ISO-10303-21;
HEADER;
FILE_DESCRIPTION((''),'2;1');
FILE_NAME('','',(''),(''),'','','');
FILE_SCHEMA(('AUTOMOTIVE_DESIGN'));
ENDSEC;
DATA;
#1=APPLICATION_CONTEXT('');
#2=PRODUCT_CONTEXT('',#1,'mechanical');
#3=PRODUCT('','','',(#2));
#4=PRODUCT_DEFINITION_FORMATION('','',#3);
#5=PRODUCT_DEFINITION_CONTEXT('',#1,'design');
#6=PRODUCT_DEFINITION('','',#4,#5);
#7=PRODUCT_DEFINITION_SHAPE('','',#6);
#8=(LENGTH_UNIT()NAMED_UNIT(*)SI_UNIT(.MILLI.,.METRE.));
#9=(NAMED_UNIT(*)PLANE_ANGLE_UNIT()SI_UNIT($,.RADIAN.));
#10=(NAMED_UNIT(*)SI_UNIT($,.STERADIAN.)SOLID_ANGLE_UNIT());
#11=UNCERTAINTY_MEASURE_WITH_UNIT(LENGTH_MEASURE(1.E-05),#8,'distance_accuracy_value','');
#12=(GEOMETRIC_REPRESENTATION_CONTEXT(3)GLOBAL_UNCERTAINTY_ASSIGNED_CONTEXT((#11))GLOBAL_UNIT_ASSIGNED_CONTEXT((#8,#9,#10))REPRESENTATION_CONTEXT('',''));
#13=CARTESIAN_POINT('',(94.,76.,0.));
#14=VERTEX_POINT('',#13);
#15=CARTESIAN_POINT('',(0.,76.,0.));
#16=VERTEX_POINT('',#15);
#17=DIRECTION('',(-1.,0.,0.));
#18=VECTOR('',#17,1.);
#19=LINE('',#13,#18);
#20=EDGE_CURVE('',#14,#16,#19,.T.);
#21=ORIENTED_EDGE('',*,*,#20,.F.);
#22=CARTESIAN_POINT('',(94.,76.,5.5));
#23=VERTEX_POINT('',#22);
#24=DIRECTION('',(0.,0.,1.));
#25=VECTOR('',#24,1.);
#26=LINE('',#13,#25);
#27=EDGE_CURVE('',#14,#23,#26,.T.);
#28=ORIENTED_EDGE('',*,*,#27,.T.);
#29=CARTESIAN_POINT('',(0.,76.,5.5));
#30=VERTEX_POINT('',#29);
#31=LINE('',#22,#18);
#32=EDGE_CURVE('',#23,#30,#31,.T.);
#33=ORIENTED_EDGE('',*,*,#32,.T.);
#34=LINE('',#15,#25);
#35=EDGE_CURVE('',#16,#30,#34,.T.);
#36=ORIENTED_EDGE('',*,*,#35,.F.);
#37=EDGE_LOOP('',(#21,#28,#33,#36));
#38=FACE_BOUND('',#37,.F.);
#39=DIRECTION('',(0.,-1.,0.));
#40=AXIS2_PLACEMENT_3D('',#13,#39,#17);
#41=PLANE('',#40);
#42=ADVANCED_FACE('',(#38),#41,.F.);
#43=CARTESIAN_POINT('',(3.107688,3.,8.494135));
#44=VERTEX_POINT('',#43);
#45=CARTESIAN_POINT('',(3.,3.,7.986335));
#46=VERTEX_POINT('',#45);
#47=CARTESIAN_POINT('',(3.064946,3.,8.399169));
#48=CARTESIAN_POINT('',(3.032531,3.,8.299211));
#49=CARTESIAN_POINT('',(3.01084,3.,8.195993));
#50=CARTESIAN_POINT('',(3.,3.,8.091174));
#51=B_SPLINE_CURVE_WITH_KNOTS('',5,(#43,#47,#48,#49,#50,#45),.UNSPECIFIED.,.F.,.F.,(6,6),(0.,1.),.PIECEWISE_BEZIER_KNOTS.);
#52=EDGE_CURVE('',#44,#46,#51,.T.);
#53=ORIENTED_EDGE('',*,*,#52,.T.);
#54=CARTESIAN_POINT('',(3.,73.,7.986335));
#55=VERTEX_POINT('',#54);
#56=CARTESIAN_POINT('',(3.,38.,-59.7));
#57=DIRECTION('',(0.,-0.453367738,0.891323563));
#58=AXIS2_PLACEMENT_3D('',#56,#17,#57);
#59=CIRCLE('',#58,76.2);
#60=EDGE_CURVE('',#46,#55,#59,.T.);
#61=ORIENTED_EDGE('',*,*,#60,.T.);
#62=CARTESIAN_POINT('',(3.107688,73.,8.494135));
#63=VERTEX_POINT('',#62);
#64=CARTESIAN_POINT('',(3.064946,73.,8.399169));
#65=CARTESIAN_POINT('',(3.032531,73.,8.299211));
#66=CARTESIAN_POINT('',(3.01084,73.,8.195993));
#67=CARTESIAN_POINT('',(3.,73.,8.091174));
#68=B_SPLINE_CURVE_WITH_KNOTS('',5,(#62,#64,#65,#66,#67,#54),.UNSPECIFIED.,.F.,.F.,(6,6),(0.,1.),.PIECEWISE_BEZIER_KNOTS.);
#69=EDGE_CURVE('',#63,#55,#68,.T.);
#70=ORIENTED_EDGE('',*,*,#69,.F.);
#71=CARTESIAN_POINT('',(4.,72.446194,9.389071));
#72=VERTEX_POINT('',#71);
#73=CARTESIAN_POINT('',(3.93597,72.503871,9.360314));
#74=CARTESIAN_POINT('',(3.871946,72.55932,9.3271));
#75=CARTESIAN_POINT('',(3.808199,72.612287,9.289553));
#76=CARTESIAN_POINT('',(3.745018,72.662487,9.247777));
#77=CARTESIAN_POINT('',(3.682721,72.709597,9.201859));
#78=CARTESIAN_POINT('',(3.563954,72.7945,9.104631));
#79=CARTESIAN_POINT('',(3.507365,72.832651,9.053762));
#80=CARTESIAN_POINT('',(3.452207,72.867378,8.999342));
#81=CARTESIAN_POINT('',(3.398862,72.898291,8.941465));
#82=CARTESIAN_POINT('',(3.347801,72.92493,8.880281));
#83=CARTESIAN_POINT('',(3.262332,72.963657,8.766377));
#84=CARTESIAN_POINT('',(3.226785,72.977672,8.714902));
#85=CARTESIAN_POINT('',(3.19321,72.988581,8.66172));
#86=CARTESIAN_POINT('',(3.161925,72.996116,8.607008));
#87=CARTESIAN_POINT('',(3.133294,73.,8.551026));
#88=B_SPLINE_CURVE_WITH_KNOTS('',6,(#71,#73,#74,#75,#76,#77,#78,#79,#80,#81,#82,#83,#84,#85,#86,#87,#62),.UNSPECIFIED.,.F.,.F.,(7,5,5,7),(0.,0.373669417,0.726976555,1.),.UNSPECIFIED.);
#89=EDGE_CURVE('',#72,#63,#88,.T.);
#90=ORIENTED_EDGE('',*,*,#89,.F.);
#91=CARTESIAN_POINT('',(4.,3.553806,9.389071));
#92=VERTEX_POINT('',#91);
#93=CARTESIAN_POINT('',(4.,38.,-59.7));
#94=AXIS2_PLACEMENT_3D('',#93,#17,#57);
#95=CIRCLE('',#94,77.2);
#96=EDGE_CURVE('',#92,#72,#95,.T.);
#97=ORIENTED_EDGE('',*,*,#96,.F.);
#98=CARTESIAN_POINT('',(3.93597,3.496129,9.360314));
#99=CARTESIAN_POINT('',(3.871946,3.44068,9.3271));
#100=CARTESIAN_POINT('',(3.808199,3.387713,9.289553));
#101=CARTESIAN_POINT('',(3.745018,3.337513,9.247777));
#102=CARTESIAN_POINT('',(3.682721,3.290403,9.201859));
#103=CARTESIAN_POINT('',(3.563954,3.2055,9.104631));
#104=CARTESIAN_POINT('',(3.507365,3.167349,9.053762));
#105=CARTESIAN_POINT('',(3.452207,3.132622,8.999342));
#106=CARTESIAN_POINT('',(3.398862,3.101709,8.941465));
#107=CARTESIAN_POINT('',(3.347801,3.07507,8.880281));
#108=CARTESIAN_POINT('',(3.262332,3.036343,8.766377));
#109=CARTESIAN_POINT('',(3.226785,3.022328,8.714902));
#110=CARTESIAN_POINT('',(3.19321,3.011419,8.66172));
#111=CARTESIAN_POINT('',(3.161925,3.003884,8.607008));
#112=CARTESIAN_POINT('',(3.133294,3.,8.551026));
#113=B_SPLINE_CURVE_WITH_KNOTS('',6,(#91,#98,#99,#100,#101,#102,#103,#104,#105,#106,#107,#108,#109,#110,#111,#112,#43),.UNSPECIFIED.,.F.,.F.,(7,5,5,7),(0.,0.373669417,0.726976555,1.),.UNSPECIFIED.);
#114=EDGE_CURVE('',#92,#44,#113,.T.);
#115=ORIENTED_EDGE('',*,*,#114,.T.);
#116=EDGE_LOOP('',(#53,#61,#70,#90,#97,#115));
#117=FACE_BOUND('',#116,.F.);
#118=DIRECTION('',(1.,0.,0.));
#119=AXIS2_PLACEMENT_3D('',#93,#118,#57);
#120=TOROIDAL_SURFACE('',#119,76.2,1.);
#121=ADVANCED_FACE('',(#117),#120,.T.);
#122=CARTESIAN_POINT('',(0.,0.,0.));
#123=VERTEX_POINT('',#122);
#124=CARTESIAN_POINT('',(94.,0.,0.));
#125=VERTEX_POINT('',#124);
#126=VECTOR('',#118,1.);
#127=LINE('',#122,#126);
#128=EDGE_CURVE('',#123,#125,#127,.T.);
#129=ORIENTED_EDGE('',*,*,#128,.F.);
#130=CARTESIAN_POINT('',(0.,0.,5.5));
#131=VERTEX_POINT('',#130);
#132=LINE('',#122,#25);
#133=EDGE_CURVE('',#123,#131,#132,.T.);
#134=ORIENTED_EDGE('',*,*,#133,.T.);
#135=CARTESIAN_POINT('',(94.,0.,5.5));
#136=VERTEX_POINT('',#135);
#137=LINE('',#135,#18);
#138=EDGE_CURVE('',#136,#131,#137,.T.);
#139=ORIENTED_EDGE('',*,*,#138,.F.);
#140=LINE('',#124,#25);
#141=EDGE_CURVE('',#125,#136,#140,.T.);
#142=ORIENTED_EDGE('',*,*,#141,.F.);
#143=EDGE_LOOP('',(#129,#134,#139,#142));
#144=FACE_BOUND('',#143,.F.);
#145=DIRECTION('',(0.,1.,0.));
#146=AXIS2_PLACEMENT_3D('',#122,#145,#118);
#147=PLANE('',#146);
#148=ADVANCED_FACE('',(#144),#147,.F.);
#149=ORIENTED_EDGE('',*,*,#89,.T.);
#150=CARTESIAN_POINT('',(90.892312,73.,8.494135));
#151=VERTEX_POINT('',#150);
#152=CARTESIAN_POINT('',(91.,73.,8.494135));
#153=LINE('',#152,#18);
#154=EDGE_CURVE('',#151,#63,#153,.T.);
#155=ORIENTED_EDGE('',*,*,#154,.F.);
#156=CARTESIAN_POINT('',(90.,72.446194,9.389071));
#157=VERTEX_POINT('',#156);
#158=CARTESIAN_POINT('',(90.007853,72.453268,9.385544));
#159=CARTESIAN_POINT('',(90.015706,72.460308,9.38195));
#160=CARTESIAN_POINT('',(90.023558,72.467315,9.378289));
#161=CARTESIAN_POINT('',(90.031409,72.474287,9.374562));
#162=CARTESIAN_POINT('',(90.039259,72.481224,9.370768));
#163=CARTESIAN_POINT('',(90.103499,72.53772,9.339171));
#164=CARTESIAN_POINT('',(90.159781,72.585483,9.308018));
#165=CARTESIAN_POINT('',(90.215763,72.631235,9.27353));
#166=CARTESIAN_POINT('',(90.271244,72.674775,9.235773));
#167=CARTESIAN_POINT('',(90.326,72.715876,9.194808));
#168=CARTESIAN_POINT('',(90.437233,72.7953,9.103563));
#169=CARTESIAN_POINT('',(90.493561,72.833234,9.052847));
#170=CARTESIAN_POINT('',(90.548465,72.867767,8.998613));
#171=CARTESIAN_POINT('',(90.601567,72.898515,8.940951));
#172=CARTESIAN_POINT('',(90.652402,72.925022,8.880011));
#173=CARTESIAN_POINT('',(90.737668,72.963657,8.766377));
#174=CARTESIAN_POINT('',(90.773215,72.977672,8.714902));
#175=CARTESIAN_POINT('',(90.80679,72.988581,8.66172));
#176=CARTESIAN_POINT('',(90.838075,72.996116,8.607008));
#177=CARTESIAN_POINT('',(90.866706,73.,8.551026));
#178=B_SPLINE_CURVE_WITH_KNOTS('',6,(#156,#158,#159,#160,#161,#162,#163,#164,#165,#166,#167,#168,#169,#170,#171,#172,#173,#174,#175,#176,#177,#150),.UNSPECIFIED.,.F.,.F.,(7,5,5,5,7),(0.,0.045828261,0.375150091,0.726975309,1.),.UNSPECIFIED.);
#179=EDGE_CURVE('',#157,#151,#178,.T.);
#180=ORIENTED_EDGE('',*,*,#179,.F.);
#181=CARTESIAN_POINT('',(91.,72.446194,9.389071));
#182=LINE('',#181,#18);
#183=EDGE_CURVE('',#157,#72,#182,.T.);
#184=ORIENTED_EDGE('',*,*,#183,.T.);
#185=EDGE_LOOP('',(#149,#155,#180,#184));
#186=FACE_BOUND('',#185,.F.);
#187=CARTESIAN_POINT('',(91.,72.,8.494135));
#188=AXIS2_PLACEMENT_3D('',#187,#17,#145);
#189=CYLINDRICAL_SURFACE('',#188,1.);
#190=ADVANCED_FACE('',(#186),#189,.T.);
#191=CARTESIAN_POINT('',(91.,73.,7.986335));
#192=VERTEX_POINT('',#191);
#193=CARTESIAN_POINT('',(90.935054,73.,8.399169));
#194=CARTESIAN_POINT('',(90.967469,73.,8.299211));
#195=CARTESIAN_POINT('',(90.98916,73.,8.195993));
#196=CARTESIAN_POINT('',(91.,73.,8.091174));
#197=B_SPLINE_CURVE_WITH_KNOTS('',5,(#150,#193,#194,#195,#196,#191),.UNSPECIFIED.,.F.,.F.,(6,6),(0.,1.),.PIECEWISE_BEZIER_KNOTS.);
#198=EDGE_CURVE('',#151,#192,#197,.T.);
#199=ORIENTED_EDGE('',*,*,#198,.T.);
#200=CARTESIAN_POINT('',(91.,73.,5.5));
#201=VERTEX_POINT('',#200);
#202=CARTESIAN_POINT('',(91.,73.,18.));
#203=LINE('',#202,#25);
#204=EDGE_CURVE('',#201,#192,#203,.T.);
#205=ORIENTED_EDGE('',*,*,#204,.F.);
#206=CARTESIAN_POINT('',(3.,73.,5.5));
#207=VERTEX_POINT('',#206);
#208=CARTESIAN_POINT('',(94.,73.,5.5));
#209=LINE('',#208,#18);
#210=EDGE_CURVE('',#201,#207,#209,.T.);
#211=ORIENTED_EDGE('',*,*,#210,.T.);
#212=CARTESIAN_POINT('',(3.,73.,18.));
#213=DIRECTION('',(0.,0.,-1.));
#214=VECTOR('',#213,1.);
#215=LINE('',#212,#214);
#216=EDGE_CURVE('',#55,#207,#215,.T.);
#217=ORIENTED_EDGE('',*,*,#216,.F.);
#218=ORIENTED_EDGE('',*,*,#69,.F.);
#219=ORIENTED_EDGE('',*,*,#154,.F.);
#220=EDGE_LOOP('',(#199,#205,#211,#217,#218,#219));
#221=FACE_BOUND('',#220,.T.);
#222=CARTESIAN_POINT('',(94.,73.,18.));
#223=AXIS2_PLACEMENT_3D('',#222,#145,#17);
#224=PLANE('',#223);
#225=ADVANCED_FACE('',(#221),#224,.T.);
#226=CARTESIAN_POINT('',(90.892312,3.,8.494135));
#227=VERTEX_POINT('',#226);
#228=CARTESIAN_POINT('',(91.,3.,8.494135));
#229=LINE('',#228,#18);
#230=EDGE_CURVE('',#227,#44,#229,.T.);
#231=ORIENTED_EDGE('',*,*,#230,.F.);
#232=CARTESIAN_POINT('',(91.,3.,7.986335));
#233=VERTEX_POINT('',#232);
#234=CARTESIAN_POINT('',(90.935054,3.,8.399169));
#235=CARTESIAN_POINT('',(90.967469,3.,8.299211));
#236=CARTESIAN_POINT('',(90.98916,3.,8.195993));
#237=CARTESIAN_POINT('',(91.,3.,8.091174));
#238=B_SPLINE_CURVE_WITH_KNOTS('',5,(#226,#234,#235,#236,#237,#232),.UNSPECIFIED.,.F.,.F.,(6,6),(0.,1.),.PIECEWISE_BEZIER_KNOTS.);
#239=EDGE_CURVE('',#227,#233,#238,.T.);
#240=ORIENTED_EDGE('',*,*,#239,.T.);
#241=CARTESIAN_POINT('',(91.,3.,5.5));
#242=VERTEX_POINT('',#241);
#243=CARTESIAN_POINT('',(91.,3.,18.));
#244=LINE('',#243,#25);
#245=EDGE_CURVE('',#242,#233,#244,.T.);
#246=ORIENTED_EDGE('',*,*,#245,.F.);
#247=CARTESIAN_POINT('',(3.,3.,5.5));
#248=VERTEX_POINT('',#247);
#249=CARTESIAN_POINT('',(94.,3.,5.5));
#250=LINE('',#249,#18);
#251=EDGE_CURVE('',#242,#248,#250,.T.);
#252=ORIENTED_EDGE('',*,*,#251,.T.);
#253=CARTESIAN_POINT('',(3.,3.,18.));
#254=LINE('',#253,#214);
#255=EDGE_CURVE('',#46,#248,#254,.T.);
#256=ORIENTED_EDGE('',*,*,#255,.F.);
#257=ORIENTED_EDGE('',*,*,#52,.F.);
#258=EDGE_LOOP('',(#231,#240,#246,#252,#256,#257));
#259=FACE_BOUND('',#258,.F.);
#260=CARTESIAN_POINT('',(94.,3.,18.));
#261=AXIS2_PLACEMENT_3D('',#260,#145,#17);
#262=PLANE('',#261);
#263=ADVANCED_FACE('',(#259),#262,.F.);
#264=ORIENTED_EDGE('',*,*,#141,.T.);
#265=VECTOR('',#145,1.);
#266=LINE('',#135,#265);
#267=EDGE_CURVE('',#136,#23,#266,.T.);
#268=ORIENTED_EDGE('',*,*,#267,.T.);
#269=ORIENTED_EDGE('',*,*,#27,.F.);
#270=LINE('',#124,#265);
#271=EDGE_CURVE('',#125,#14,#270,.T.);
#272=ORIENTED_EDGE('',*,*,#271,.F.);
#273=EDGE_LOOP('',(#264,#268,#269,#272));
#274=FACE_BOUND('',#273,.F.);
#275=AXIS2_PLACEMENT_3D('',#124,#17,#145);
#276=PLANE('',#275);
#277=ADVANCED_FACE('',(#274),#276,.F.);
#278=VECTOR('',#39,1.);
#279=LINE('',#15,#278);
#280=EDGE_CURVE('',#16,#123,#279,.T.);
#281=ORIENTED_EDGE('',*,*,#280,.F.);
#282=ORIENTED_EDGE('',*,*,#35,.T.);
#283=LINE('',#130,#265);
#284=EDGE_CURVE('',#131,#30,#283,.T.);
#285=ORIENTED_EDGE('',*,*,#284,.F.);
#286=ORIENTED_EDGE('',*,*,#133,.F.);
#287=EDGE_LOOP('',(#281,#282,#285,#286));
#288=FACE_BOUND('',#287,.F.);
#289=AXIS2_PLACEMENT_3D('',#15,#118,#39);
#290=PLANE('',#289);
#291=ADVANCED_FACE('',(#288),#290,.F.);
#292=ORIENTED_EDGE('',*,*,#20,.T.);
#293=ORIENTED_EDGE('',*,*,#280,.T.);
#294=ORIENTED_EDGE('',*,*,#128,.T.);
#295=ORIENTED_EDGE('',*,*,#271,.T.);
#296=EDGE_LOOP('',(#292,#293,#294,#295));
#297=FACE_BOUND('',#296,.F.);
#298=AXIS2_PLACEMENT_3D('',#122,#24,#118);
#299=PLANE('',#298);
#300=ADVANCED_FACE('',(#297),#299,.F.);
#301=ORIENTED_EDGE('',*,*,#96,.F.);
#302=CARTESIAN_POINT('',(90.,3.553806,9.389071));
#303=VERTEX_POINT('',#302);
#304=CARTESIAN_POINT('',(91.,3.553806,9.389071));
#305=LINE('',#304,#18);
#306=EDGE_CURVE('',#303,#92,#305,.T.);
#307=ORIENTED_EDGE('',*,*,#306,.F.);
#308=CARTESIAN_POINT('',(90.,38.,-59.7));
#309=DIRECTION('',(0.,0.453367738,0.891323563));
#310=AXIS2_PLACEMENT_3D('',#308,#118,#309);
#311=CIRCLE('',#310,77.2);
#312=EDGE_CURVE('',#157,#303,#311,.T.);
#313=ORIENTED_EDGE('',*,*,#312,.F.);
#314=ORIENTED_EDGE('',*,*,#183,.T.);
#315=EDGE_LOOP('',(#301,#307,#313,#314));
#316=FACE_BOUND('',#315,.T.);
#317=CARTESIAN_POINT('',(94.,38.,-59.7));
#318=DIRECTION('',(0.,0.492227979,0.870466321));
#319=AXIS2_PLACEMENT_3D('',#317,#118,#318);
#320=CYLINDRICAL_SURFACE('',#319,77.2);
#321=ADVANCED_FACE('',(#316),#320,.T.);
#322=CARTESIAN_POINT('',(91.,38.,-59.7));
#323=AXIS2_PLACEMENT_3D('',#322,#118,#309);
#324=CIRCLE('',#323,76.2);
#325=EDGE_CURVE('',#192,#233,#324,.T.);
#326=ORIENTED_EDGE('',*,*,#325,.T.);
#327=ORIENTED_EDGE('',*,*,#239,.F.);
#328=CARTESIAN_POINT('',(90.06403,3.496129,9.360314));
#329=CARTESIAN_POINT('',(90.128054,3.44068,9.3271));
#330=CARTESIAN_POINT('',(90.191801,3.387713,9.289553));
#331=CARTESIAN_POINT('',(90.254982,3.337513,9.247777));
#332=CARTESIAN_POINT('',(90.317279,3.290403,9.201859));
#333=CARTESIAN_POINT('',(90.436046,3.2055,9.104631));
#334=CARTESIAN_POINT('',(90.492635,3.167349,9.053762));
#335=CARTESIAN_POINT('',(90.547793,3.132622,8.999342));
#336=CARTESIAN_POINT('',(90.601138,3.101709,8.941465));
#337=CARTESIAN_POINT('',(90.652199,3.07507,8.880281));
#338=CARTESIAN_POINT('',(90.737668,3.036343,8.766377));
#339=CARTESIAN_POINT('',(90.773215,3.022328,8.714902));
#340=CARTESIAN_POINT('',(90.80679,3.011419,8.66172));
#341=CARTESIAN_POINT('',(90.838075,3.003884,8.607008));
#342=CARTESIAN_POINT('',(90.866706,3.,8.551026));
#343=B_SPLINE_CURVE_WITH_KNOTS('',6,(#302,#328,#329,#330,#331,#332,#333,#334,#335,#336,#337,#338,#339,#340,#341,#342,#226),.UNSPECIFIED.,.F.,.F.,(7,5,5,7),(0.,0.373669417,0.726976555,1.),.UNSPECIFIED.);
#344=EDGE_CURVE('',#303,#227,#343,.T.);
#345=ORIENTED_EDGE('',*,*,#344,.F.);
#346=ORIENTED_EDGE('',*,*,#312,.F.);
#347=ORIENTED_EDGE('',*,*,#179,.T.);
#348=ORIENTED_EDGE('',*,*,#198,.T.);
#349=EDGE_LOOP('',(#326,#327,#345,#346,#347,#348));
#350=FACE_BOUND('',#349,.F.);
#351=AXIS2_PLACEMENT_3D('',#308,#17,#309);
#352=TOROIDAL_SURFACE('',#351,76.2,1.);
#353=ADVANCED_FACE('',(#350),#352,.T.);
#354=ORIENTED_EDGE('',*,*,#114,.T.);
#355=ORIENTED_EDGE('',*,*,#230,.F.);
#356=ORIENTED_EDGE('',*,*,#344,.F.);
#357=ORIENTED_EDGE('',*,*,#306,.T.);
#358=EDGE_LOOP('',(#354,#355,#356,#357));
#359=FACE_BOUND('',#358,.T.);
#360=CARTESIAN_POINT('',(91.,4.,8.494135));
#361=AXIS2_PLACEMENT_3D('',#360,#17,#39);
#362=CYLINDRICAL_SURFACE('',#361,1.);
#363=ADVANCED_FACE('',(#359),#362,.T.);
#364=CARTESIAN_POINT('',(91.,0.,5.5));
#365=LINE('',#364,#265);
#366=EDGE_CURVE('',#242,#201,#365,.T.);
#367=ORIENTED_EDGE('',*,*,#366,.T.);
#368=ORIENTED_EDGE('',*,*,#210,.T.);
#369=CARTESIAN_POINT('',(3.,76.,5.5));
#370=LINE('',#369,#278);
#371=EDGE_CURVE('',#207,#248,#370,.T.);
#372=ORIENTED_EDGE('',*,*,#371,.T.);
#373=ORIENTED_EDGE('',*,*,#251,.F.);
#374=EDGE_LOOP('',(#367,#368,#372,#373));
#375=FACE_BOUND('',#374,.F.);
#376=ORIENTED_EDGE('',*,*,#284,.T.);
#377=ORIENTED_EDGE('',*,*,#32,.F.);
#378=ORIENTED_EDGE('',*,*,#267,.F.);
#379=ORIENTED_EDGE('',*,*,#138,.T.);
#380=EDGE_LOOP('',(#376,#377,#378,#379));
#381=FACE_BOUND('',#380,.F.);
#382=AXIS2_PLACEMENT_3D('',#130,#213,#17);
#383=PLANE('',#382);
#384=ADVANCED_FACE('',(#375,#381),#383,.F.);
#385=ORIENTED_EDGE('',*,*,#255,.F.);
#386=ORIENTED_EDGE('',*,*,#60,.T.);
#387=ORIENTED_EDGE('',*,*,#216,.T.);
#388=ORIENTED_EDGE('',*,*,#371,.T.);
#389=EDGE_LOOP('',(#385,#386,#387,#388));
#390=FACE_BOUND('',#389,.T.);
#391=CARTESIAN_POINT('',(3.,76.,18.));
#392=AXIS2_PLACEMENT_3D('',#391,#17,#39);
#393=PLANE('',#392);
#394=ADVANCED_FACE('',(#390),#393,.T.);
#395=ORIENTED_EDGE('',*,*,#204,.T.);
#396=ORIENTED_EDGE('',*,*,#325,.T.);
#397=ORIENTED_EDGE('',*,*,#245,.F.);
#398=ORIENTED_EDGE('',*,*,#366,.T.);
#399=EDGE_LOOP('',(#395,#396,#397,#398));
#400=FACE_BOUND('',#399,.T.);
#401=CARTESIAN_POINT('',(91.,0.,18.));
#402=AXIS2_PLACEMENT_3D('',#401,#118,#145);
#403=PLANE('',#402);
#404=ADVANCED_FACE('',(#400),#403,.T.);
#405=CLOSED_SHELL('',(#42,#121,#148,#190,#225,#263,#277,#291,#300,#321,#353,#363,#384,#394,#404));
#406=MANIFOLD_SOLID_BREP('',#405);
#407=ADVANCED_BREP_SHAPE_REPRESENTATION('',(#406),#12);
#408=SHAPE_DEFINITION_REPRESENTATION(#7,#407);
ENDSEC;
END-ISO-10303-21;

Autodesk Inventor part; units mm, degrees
ref_plane "YZ Plane" through (0, 0, 0) normal (1, 0, 0) x (0, 1, 0)
ref_plane "XZ Plane" through (0, 0, 0) normal (0, 1, 0) x (-1, 0, 0)
sketch "Sketch1" plane through (0, 0, 0) normal (0, 0, 1) x (1, 0, 0)
  line L0 (0, 0) -> (94, 0)
  line L1 (94, 0) -> (94, 76)
  line L2 (94, 76) -> (0, 76)
  line L3 (0, 76) -> (0, 0)
  line L4 (4.75, 10.5) -> (89.25, 10.5)
  line L5 (89.25, 10.5) -> (89.25, 65.5)
  line L6 (89.25, 65.5) -> (4.75, 65.5)
  line L7 (4.75, 65.5) -> (4.75, 10.5)
  dimension "d0" = 84.5
  dimension "d1" = 55
  dimension "d2" = 76
  dimension "d3" = 94
  dimension "d4" = 10.5
  dimension "d5" = 4.75
  dimension "d6" = 4.75
  dimension "d7" = 10.5
extrude "Extrusion1" add sketch "Sketch1" along normal blind 17.5 contours L3 L2 L1 L0 | L7 L6 L5 L4
ref_plane "Work Plane1" through (0, 0, 18) normal (0, 0, -1) x (-1, 0, 0)
sketch "Sketch3" plane through (0, 0, 18) normal (0, 0, -1) x (-1, 0, 0)
  line L0 (0, 0) -> (-94, 0) projected
  line L1 (0, 76) -> (-3, 76)
  line L2 (-3, 76) -> (-3, 0)
  line L3 (-3, 0) -> (0, 0)
  line L4 (0, 0) -> (0, 76)
  line L5 (-94, 0) -> (-91, 0)
  line L6 (-91, 0) -> (-91, 76)
  line L7 (-91, 76) -> (-94, 76)
  line L8 (-94, 76) -> (-94, 0)
  line L9 (-94, 76) -> (0, 76) projected
  dimension "d16" = 3
  dimension "d17" = 3
  dimension "d32" = 0
extrude "Extrusion3" cut sketch "Sketch3" along normal blind 12.5 contours L0 L2 L1 L4 | L0 L8 L7 L6
sketch "Sketch4" plane through (0, 0, 18) normal (0, 0, -1) x (-1, 0, 0)
  line L0 (0, 76) -> (0, 0) projected
  line L1 (-94, 76) -> (-94, 0) projected
  line L2 (0, 76) -> (-94, 76)
  line L3 (-94, 76) -> (-94, 73)
  line L4 (-94, 73) -> (0, 73)
  line L5 (0, 73) -> (0, 76)
  line L6 (-104.5, 0) -> (0, 0) projected
  line L7 (0, 0) -> (-94, 0)
  line L8 (-94, 0) -> (-94, 3)
  line L9 (-94, 3) -> (0, 3)
  line L10 (0, 3) -> (0, 0)
  point P0 (-104.5, 75.9892)
  point P1 (-104.5, 3.0108)
  point P2 (0, 3)
  point P3 (-94, 3)
  point P4 (-94, 3)
  point P5 (-94, 0)
  point P6 (-104.5, 75.9892)
  point P7 (-95, 6)
  dimension "d20" = 3
  dimension "d21" = 3
extrude "Extrusion4" cut sketch "Sketch4" along normal blind 12.5 contours L0 L4 L1 L2 | L0 L6 L1 L9
sketch "Sketch5" plane through (94, 0, 0) normal (1, 0, 0) x (0, 0, -1)
  line L0 (-17.5, 3) -> (-17.5, 73) projected
  line L1 (0, 76) -> (-5.5, 76) projected
  line L2 (0, 0) -> (-5.5, 0) projected
  arc A0 (-7.5, 76) -> (-7.5, 0) centre (59.7, 38) ccw
  line L3 (0, 0) -> (0, 76) projected
  line L4 (-17.5, 38) -> (-17.5, 3)
  line L5 (-17.5, 3) -> (-5.5, 3) projected
  line L6 (-9.1102, 3) -> (-17.5, 3)
  line L7 (-5.5, 73) -> (-17.5, 73) projected
  line L8 (-9.1102, 73) -> (-17.5, 73)
  line L9 (-17.5, 73) -> (-17.5, 38)
  point P0 (-15, 3)
  point P1 (-15, 73)
  point P2 (-15, 73)
  point P3 (-15, 3)
  dimension "d24" = 38
  dimension "d25" = 38
  dimension "d26" = 7.5
  dimension "d27" = 7.5
extrude "Extrusion5" cut sketch "Sketch5" against normal through all
fillet "Fillet1" radius 1 4 edges at (47, 73, 9.1102) (91, 38, 17.5) (3, 38, 17.5) (47, 3, 9.1102)
equation "\"d17\" = d16"
equation "\"d21\" = d20"
equation "\"d27\" = d26"
properties part number "MainHousing_Screen Acrylic"
